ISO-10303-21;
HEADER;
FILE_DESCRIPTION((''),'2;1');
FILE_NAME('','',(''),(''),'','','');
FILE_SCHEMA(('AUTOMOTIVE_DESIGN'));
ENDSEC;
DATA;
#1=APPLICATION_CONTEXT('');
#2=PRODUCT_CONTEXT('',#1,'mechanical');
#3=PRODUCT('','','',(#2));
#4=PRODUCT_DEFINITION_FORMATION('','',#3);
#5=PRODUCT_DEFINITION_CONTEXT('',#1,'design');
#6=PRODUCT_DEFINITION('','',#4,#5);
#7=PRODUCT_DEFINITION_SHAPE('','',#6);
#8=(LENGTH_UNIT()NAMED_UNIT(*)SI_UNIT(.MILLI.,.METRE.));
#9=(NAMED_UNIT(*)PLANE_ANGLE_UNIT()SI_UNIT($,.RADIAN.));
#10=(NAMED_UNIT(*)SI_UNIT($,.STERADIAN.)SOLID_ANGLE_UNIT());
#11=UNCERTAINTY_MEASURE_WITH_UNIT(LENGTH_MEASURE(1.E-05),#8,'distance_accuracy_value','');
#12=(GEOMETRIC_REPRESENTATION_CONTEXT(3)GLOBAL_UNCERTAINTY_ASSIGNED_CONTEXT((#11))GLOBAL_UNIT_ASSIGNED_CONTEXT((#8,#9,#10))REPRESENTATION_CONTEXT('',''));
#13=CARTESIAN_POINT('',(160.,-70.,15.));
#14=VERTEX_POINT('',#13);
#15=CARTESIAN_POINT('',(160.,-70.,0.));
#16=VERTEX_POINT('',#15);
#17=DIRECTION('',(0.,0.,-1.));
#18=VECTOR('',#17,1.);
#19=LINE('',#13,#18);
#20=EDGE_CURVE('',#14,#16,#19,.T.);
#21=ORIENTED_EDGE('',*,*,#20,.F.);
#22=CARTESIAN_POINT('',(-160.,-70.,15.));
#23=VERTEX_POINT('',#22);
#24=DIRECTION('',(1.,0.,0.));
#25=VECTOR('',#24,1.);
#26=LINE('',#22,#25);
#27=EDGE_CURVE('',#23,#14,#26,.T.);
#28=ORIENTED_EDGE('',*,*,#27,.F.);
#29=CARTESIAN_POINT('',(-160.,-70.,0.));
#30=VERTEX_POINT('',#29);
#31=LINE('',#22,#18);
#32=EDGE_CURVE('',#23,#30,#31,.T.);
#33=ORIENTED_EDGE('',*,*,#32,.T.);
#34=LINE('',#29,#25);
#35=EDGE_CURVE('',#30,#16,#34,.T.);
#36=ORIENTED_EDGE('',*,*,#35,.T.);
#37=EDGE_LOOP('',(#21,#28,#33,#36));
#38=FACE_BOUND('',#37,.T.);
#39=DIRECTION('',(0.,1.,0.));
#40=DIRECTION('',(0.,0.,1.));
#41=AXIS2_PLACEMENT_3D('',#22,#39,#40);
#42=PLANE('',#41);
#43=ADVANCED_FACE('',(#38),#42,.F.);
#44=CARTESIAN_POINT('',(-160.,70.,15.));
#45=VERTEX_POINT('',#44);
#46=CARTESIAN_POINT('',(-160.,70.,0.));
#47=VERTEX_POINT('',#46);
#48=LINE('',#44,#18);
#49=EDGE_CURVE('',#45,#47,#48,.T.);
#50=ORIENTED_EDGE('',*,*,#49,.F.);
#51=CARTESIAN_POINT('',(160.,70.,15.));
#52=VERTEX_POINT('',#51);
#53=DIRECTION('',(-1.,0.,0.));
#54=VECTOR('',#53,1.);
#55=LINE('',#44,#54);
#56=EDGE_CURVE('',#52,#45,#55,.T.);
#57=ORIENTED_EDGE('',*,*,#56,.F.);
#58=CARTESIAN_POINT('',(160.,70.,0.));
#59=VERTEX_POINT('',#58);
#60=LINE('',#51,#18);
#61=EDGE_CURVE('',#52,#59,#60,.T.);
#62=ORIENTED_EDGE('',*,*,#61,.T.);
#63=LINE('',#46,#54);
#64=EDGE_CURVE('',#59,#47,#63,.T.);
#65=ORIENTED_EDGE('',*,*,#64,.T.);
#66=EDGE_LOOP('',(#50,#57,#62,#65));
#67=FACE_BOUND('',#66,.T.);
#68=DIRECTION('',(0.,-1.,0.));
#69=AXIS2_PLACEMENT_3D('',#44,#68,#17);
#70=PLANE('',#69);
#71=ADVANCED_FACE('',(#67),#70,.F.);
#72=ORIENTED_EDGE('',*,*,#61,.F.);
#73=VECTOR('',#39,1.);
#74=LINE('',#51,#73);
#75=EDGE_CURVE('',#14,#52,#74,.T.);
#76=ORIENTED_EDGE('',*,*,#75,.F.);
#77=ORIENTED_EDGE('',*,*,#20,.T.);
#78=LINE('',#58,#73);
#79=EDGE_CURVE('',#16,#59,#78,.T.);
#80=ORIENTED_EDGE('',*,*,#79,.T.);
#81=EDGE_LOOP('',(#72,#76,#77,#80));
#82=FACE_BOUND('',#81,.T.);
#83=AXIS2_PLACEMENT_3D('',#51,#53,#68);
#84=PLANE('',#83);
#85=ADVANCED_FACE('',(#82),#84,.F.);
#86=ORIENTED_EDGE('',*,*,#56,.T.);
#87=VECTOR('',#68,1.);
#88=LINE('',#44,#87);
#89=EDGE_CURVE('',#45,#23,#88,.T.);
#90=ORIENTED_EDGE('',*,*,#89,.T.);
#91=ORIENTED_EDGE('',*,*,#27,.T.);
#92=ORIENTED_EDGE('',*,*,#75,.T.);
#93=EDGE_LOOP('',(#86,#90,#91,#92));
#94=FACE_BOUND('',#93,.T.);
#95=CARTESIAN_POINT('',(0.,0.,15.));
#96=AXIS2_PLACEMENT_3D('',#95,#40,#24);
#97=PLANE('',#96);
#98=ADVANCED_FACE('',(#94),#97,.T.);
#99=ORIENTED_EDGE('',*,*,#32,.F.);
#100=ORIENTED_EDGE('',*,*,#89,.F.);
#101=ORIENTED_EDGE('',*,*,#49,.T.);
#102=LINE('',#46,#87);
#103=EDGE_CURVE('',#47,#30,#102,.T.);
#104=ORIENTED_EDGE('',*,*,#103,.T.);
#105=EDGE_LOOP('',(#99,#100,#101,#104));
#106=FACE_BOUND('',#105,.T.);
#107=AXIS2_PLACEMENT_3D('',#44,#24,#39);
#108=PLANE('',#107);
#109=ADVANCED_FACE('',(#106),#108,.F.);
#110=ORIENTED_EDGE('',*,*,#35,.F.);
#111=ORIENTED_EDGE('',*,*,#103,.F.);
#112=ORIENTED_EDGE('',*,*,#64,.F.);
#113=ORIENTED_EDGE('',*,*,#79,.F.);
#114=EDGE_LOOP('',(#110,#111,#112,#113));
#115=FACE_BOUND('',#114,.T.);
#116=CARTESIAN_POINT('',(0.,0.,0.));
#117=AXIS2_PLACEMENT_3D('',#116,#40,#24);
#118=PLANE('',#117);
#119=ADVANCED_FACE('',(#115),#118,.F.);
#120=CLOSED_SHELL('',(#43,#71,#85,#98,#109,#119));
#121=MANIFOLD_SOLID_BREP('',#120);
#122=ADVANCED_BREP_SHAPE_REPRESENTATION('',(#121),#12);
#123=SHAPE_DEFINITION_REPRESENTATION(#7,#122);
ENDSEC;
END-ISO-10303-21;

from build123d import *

# Parameters (mm, degrees)
ESBO_O1_W                = 320
ESBO_O1_H                = 140
RESSALTO_EXTRUS_O1_DEPTH = 15


with BuildPart() as part:
    # Esboço1 → Ressalto-extrusão1 (new body)
    with BuildSketch(Plane.XY):
        Rectangle(ESBO_O1_W, ESBO_O1_H)
    extrude(amount=RESSALTO_EXTRUS_O1_DEPTH)


solid = part.part
